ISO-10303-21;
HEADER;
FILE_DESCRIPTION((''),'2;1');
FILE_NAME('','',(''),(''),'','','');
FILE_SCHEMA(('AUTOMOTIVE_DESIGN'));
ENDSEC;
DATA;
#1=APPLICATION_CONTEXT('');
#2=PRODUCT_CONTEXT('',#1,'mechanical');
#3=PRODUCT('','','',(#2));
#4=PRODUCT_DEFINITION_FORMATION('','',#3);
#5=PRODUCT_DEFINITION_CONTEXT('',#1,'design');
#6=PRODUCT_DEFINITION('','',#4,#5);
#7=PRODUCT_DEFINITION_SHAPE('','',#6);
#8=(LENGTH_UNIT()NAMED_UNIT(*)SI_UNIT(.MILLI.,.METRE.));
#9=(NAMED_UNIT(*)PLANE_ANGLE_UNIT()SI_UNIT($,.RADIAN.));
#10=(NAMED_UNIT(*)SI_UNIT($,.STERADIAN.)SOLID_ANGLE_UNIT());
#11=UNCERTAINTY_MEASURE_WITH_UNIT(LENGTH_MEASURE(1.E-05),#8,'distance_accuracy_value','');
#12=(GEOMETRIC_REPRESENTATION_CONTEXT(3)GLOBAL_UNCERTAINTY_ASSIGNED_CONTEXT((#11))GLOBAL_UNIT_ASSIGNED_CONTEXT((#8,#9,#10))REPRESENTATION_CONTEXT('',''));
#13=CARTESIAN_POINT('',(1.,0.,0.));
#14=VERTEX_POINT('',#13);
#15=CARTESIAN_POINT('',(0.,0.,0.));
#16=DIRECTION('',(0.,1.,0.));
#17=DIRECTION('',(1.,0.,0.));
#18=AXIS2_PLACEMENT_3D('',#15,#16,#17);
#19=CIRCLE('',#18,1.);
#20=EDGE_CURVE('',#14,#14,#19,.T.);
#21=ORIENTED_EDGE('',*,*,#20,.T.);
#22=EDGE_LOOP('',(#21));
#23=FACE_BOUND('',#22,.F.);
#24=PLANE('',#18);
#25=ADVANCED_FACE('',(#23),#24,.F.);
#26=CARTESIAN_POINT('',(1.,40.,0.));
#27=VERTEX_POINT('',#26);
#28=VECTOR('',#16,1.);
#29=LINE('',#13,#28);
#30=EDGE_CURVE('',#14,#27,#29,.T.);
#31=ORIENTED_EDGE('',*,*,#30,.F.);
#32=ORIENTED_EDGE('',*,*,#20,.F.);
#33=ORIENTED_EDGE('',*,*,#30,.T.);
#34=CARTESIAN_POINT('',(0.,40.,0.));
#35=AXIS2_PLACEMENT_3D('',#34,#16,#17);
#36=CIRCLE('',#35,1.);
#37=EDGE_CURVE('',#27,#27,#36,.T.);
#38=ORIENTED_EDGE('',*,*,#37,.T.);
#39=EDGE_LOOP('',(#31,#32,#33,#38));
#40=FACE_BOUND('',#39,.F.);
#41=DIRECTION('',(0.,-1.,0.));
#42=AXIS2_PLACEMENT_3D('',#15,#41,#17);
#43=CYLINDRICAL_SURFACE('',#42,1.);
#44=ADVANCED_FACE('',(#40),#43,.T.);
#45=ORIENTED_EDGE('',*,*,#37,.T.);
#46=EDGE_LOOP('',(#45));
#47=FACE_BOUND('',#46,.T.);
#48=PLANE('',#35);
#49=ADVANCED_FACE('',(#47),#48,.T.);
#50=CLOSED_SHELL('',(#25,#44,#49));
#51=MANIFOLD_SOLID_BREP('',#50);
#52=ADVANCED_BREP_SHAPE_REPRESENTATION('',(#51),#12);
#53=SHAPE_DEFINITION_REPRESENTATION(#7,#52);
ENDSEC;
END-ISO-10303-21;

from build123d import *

# Parameters (mm, degrees)
SKETCH1_R           = 1
BOSS_EXTRUDE1_DEPTH = 40


with BuildPart() as part:
    # Sketch1 → Boss-Extrude1 (new body)
    with BuildSketch(Plane(origin=(0, 0, 0), x_dir=(1, 0, 0), z_dir=(0, 1, 0))):
        Circle(SKETCH1_R)
    extrude(amount=BOSS_EXTRUDE1_DEPTH)


solid = part.part
